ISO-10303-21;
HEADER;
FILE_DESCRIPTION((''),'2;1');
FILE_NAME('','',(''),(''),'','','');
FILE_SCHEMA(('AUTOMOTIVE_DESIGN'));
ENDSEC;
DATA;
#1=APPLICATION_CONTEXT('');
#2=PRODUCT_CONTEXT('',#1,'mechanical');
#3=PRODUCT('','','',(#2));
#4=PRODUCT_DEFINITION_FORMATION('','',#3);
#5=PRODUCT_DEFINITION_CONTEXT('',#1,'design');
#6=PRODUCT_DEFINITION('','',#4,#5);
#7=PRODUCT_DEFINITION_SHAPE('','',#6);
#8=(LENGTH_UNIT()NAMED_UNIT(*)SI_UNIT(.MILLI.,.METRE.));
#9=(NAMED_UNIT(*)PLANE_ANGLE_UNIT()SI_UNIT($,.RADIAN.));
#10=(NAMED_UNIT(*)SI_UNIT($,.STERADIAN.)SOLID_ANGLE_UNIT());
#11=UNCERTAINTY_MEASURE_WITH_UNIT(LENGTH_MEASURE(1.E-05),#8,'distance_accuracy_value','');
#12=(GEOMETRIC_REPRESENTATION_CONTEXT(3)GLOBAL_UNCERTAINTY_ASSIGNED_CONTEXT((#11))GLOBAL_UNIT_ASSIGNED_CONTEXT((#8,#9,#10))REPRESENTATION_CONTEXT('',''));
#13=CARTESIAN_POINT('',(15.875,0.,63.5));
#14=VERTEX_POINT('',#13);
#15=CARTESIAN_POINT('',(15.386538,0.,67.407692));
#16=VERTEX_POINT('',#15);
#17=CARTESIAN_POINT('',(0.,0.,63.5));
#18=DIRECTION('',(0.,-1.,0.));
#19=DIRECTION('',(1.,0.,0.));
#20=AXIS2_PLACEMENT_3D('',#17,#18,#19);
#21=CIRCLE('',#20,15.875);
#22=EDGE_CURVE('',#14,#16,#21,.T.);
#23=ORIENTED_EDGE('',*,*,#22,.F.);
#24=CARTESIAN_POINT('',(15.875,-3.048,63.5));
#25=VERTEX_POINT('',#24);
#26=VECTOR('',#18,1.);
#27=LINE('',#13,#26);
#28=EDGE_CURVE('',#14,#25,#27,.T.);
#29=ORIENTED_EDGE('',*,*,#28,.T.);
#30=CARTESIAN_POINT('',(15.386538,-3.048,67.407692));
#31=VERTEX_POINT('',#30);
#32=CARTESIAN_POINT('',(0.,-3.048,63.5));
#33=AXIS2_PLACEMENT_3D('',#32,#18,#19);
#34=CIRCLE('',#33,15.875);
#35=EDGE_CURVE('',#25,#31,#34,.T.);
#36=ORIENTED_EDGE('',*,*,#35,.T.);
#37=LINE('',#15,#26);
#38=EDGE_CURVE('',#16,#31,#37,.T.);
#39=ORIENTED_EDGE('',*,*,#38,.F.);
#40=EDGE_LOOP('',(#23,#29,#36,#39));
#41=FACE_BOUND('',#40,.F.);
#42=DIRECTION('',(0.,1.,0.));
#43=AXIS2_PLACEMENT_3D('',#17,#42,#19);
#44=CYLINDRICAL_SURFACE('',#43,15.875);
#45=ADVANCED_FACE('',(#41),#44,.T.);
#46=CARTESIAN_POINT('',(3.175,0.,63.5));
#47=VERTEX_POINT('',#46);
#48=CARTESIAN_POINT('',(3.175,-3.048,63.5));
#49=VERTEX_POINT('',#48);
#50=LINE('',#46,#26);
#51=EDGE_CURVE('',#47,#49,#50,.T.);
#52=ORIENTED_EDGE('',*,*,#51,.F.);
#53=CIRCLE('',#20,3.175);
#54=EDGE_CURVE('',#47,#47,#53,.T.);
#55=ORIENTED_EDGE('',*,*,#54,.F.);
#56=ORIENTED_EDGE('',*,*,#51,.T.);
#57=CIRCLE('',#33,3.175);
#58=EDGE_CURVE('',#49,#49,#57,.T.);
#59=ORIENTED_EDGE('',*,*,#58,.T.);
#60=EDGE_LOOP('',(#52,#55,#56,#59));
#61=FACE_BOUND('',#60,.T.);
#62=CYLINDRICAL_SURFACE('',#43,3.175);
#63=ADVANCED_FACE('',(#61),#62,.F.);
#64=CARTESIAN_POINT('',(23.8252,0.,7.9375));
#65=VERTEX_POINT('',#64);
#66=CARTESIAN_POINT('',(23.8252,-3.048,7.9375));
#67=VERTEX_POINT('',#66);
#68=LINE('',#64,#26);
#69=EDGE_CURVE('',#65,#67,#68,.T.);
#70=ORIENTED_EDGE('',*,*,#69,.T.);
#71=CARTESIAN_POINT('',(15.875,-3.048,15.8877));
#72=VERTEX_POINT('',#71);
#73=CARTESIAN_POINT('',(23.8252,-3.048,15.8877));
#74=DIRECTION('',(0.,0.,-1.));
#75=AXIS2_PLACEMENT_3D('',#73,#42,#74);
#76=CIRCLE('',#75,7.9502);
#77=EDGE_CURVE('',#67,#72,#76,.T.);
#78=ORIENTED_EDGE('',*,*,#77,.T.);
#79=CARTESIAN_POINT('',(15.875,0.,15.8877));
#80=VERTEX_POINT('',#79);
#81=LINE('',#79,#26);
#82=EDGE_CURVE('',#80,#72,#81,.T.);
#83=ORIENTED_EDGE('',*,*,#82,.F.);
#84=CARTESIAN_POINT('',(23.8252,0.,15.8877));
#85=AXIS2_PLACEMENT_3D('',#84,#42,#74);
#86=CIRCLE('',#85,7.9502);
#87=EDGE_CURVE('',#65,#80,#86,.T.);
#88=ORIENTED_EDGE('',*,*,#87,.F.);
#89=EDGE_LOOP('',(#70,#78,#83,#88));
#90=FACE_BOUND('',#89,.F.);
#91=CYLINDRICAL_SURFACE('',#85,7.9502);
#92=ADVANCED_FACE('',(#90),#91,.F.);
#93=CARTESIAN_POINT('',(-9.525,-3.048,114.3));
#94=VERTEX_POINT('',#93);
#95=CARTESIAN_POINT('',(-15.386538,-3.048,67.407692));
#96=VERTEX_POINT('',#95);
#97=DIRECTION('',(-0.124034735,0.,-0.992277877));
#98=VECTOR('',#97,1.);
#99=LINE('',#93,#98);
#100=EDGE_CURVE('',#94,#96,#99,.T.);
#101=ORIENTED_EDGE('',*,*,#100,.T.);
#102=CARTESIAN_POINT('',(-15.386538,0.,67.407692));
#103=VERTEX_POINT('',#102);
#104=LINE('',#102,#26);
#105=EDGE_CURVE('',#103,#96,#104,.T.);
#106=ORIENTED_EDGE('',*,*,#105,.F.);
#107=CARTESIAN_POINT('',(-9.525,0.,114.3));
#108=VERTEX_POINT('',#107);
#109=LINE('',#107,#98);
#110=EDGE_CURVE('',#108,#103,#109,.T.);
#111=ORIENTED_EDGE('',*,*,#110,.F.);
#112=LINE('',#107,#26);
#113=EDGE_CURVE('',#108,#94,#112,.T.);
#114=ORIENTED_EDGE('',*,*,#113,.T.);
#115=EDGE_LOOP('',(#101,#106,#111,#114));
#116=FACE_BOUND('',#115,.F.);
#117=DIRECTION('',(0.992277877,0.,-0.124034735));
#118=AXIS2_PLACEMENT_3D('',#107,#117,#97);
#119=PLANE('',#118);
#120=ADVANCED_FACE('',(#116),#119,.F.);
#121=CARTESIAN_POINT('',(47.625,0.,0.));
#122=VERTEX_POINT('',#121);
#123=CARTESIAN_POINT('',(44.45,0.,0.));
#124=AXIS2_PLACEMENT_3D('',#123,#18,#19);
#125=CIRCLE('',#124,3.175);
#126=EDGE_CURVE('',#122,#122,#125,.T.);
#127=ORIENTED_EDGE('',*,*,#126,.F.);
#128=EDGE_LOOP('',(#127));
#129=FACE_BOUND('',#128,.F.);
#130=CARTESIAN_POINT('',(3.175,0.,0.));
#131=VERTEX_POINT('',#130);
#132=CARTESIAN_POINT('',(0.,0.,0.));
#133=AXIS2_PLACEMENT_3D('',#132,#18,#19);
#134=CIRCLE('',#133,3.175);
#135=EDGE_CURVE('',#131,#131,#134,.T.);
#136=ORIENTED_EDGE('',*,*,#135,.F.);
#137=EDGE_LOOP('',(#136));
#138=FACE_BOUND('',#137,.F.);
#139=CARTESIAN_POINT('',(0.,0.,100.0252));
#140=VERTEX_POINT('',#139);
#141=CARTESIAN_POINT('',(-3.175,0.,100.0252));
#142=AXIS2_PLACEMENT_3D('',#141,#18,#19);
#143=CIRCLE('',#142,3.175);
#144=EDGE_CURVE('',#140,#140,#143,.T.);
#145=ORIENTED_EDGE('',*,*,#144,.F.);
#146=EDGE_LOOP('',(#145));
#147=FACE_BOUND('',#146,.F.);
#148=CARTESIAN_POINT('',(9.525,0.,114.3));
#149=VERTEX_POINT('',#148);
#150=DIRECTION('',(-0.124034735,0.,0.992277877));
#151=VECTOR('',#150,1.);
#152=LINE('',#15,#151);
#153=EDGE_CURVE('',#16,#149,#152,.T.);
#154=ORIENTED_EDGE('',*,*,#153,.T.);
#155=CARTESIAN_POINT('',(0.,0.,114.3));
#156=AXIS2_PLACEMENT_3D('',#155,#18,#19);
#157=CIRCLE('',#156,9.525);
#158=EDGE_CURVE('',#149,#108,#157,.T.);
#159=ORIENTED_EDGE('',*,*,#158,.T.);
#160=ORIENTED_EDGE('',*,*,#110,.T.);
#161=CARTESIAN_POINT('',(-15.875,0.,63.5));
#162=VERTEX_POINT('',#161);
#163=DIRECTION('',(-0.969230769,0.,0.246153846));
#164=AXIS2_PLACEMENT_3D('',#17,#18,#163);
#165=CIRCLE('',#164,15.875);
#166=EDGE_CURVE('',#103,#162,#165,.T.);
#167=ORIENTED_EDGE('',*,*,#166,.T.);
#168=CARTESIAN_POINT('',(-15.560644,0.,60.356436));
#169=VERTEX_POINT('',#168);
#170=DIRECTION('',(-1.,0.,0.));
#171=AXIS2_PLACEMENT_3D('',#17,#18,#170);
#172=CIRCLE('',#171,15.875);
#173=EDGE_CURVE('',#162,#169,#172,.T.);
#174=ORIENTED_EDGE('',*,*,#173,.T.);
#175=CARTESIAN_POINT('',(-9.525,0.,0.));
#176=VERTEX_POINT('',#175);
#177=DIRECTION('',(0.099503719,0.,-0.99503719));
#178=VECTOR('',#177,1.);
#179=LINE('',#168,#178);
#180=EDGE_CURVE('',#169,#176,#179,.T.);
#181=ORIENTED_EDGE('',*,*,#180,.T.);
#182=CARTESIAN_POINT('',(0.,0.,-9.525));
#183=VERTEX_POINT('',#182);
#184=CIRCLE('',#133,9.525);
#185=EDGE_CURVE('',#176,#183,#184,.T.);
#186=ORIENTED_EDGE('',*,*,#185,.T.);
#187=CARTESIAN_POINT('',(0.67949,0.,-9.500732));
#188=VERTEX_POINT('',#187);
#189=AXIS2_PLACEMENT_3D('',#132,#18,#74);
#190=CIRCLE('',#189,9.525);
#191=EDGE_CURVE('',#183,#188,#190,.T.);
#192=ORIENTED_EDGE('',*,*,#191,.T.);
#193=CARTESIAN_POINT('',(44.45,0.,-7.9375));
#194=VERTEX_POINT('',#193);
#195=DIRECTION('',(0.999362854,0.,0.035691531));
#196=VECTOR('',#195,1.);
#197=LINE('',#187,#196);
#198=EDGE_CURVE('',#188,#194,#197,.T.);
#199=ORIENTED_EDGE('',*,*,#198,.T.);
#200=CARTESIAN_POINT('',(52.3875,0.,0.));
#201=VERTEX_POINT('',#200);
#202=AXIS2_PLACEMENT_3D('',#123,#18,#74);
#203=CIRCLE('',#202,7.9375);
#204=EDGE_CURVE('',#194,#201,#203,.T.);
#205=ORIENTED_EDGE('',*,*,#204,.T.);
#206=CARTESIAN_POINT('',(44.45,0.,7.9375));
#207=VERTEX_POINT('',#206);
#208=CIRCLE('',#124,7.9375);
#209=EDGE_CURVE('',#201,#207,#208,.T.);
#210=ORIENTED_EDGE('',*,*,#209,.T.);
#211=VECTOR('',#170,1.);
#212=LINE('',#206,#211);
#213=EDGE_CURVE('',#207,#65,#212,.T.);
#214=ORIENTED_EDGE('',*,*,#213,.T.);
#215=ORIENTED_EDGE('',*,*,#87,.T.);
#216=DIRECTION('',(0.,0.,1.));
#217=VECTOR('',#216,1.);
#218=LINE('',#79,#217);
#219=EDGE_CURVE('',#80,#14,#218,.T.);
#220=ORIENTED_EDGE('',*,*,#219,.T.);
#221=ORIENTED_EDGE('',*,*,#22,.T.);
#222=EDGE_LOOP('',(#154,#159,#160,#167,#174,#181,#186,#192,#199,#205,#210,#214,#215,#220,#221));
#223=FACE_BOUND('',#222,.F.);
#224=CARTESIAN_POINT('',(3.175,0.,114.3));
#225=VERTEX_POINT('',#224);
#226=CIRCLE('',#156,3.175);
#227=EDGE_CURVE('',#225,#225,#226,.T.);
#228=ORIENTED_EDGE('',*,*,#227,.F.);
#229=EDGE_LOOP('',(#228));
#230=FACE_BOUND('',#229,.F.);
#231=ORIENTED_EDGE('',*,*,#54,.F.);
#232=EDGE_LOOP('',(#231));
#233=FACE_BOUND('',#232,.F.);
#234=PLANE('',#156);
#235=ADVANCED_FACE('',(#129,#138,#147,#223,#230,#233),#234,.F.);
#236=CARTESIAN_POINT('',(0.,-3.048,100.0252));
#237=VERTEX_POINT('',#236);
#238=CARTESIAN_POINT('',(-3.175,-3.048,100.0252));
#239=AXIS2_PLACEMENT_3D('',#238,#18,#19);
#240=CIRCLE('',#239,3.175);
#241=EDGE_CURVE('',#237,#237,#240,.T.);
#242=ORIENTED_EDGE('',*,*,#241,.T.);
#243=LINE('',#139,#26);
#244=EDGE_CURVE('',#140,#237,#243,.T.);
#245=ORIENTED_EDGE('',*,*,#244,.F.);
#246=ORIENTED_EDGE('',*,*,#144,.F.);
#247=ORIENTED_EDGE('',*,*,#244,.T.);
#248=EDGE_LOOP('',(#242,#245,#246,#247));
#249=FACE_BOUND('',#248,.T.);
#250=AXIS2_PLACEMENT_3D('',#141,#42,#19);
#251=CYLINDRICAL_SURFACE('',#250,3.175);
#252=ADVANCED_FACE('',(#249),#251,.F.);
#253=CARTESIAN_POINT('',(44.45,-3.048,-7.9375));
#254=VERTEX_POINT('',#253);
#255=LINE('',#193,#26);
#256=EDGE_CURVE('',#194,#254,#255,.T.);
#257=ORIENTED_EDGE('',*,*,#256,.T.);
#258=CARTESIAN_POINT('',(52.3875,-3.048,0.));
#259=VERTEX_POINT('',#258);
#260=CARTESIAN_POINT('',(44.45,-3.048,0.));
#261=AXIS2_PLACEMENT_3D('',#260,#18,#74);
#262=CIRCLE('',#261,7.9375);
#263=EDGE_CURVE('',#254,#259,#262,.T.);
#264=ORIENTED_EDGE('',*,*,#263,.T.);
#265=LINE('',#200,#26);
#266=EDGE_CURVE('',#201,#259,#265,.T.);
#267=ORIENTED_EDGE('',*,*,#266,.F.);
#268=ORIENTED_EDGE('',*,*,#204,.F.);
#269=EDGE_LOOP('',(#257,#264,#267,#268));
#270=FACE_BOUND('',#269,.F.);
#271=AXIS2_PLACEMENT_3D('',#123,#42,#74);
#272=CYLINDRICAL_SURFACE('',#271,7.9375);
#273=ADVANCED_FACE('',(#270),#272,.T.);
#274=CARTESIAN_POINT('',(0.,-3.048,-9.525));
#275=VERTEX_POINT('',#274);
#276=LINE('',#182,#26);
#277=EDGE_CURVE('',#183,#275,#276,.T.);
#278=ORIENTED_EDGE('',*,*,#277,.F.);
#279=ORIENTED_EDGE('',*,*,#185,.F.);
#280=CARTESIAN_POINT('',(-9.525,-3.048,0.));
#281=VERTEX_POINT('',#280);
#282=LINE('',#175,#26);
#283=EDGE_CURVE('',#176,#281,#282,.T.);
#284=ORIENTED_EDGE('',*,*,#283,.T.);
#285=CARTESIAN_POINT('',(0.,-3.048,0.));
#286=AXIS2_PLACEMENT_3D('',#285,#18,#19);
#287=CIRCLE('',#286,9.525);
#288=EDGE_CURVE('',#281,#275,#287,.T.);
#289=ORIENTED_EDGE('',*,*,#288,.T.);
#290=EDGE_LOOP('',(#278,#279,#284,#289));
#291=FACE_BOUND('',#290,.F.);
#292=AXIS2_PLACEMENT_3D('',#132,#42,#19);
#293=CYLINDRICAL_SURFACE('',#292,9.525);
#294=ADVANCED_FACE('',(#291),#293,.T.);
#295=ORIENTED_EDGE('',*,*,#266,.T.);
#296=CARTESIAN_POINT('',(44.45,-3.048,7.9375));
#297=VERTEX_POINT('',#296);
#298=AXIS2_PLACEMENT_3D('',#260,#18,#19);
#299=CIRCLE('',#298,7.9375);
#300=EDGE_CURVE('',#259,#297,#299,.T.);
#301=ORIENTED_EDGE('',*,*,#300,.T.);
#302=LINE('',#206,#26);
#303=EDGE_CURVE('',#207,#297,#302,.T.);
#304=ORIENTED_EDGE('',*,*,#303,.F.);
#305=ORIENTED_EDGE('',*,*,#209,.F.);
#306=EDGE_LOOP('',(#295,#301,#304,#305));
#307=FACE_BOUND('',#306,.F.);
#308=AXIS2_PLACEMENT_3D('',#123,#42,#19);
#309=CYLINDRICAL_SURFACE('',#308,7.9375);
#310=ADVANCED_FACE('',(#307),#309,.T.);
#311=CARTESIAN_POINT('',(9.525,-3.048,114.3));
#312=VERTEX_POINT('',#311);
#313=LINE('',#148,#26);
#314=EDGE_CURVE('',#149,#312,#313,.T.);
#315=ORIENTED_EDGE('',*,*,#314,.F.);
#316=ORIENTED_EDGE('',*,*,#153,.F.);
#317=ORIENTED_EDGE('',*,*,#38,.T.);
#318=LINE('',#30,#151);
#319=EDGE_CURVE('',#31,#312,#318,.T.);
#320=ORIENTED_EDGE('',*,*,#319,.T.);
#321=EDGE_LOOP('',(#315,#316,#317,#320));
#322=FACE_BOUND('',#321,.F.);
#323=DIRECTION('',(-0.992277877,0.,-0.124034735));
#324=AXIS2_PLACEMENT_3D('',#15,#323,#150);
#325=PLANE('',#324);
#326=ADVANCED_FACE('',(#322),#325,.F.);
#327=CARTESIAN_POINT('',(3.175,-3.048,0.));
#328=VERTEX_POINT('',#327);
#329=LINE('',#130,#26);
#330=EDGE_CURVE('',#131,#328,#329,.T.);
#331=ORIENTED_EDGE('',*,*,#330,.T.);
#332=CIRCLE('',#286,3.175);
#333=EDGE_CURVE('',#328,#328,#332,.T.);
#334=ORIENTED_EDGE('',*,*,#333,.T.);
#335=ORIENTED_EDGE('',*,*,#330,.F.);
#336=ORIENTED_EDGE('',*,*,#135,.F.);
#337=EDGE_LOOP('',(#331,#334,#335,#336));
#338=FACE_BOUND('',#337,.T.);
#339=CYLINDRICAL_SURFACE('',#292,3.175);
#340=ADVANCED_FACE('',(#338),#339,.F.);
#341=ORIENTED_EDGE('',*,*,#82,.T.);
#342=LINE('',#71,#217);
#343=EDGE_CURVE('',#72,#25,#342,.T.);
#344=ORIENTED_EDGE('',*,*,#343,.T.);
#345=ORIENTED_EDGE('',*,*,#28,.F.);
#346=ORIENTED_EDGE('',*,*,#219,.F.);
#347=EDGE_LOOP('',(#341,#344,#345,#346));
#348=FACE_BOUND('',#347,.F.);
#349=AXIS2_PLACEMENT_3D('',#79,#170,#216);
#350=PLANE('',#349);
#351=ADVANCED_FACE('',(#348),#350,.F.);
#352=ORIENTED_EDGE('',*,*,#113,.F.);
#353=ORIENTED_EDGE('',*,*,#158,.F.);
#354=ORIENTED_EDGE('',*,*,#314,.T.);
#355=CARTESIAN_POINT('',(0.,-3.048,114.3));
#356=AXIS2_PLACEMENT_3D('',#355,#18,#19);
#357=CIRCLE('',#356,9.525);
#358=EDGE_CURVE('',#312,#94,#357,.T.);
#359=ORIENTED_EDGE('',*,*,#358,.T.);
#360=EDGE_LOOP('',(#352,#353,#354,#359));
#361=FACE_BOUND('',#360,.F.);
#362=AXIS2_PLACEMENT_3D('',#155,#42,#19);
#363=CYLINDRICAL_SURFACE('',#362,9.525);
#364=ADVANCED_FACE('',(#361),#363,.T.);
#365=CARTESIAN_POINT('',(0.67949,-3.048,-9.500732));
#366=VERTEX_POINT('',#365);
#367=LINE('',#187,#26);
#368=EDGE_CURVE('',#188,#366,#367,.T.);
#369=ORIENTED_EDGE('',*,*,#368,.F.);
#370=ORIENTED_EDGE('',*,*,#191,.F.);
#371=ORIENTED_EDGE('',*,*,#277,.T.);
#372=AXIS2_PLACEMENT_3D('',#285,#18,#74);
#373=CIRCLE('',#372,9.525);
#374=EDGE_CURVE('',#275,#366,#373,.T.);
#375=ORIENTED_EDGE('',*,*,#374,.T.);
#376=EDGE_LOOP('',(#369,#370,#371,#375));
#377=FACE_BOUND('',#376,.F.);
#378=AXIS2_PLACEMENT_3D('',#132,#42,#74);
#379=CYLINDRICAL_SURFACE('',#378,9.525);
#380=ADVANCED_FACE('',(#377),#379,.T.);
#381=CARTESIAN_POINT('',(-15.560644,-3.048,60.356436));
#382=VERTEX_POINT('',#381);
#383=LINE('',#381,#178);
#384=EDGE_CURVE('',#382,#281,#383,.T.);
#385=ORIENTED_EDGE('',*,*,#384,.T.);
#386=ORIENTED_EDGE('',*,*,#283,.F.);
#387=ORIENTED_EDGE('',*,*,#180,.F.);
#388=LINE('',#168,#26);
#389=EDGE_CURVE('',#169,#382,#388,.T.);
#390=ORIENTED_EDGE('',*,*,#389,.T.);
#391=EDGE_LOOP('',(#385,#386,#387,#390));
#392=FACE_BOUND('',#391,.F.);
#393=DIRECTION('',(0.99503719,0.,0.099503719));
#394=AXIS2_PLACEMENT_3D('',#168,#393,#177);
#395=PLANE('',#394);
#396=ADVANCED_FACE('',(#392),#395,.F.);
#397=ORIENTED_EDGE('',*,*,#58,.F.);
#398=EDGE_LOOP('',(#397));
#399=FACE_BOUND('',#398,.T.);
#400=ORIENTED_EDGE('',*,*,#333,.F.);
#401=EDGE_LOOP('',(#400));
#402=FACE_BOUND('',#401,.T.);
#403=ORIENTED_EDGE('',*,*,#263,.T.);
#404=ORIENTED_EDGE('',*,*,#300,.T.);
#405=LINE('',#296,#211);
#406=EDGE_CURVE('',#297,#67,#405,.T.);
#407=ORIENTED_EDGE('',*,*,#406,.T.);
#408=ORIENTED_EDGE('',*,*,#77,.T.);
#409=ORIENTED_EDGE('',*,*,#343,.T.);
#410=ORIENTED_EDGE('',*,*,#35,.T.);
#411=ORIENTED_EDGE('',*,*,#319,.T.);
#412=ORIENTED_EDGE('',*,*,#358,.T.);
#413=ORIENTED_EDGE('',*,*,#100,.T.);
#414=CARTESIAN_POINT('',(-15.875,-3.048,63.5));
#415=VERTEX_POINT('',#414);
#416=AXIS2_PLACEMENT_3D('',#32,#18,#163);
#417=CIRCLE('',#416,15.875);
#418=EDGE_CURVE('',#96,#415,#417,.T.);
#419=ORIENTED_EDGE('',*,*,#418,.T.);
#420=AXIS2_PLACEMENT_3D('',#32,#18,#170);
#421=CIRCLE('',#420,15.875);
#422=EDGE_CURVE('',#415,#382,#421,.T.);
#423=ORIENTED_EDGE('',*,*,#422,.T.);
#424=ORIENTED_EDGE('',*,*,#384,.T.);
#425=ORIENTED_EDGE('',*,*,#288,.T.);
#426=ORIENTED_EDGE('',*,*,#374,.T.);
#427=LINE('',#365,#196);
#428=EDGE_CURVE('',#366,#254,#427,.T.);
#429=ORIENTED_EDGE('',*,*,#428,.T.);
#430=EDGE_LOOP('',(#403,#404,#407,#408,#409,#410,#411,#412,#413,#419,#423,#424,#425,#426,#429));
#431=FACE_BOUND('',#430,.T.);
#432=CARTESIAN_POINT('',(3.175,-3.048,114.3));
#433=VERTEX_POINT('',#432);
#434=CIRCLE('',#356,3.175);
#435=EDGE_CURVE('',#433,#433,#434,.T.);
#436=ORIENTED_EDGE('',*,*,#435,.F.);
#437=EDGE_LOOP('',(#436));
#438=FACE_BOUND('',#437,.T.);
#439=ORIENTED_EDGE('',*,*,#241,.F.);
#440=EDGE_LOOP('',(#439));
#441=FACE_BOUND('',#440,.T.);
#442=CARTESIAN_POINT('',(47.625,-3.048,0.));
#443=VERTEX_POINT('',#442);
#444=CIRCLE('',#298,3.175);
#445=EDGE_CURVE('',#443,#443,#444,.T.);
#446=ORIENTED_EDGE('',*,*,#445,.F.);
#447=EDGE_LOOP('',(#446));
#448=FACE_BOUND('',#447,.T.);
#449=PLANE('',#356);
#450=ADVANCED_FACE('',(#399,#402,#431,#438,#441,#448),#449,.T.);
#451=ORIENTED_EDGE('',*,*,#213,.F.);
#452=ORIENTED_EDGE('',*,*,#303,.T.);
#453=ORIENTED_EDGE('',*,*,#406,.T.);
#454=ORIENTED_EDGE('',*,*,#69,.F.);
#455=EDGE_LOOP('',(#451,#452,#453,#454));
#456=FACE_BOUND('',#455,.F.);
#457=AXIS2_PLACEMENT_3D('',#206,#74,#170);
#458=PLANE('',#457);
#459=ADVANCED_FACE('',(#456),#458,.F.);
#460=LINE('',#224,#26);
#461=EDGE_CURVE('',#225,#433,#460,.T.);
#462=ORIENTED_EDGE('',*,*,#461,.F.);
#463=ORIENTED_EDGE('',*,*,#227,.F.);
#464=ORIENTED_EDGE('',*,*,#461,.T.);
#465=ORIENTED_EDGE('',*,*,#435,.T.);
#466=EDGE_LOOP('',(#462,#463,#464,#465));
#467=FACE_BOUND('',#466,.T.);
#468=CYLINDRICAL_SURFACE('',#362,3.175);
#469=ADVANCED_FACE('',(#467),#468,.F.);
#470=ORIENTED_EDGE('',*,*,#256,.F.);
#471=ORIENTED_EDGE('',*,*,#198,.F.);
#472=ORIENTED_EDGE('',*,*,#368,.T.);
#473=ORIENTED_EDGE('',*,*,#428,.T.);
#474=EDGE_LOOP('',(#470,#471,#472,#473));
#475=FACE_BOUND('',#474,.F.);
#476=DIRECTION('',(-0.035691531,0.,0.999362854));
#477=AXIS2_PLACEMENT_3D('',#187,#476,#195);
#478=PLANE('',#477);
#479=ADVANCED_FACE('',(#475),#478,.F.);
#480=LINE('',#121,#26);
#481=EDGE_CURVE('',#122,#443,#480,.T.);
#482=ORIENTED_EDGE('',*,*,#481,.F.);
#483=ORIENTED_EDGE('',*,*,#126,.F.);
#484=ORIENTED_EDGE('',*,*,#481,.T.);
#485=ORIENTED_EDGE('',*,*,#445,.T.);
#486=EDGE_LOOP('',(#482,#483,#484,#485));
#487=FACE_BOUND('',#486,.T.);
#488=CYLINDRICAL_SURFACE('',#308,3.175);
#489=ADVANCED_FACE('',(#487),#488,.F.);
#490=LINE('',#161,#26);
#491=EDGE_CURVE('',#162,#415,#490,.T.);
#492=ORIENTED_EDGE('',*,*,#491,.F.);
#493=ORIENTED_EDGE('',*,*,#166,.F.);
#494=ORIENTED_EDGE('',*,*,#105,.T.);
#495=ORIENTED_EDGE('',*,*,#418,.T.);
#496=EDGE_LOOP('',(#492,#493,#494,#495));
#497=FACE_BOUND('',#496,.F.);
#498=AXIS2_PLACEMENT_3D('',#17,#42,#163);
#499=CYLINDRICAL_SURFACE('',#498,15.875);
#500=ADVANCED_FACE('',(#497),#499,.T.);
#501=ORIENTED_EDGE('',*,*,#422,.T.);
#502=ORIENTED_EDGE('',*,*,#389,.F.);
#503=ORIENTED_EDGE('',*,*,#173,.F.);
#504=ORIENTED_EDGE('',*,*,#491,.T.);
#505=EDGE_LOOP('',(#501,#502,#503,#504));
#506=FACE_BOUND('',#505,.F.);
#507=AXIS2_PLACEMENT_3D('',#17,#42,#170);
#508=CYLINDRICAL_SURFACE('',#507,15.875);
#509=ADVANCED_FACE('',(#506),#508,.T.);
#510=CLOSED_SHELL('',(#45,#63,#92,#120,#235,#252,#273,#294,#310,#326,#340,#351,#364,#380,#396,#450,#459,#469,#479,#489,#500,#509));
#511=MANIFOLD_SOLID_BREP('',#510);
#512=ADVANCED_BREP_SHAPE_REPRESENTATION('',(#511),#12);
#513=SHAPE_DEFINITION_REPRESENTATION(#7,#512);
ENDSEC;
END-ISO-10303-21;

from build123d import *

# Parameters (mm, degrees)
F0_R     = 3.175
F1_DEPTH = 3.048


with BuildPart() as f1:
    # F0 (on Front) → F1 (new body)
    with BuildSketch(Plane.XZ):
        with BuildLine():
            ThreePointArc((-9.525, 114.3), (0, 104.775), (9.525, 114.3))
            ThreePointArc((9.525, 114.3), (0, 123.825), (-9.525, 114.3))
        make_face()
        with Locations((0, 114.3)):
            Circle(F0_R, mode=Mode.SUBTRACT)
        with BuildLine():
            Line((15.3865384615, 67.4076923077), (9.525, 114.3))
            ThreePointArc((9.525, 114.3), (0, 104.775), (-9.525, 114.3))
            Line((-9.525, 114.3), (-15.3865384615, 67.4076923077))
            ThreePointArc((-15.3865384615, 67.4076923077), (0, 79.375), (15.3865384615, 67.4076923077))
        make_face()
        with Locations((-3.175, 100.0252)):
            Circle(F0_R, mode=Mode.SUBTRACT)
        with BuildLine():
            Line((15.875, 63.5), (15.3865384615, 67.4076923077))
            ThreePointArc((15.3865384615, 67.4076923077), (0, 79.375), (-15.3865384615, 67.4076923077))
            Line((-15.3865384615, 67.4076923077), (-15.875, 63.5))
            Line((-15.875, 63.5), (-15.5606435644, 60.3564356436))
            ThreePointArc((-15.5606435644, 60.3564356436), (1.5796215395, 47.7037846054), (15.875, 63.5))
        make_face()
        with Locations((0, 63.5)):
            Circle(F0_R, mode=Mode.SUBTRACT)
        with BuildLine():
            ThreePointArc((15.875, 63.5), (15.7524112928, 65.4690514116), (15.3865384615, 67.4076923077))
            Line((15.3865384615, 67.4076923077), (15.875, 63.5))
        make_face()
        with BuildLine():
            Line((-15.875, 63.5), (-15.3865384615, 67.4076923077))
            ThreePointArc((-15.3865384615, 67.4076923077), (-15.7524112928, 65.4690514116), (-15.875, 63.5))
        make_face()
        with BuildLine():
            Line((15.875, 15.8877), (15.875, 63.5))
            ThreePointArc((15.875, 63.5), (1.5796215395, 47.7037846054), (-15.5606435644, 60.3564356436))
            Line((-15.5606435644, 60.3564356436), (-9.525, 0))
            ThreePointArc((-9.525, 0), (0, 9.525), (9.525, 0))
            ThreePointArc((9.525, 0), (6.9712901065, -6.4905114784), (0.6794904459, -9.5007324841))
            Line((0.6794904459, -9.5007324841), (44.45, -7.9375))
            ThreePointArc((44.45, -7.9375), (36.5125, 0), (44.45, 7.9375))
            Line((44.45, 7.9375), (23.8252, 7.9375))
            ThreePointArc((23.8252, 7.9375), (18.2035596682, 10.2660596682), (15.875, 15.8877))
        make_face()
        with BuildLine():
            Line((-15.5606435644, 60.3564356436), (-15.875, 63.5))
            ThreePointArc((-15.875, 63.5), (-15.7962153946, 61.9203784605), (-15.5606435644, 60.3564356436))
        make_face()
        with BuildLine():
            ThreePointArc((9.525, 0), (0, 9.525), (-9.525, 0))
            ThreePointArc((-9.525, 0), (-6.7351920908, -6.7351920908), (0, -9.525))
            Line((0, -9.525), (0.6794904459, -9.5007324841))
            ThreePointArc((0.6794904459, -9.5007324841), (6.9712901065, -6.4905114784), (9.525, 0))
        make_face()
        Circle(F0_R, mode=Mode.SUBTRACT)
        with BuildLine():
            Line((0.6794904459, -9.5007324841), (0, -9.525))
            ThreePointArc((0, -9.525), (0.3399618281, -9.5189311877), (0.6794904459, -9.5007324841))
        make_face()
        with BuildLine():
            ThreePointArc((52.3875, 0), (50.0626600757, 5.6126600757), (44.45, 7.9375))
            ThreePointArc((44.45, 7.9375), (36.5125, 0), (44.45, -7.9375))
            ThreePointArc((44.45, -7.9375), (50.0626600757, -5.6126600757), (52.3875, 0))
        make_face()
        with Locations((44.45, 0)):
            Circle(F0_R, mode=Mode.SUBTRACT)
    extrude(amount=F1_DEPTH)


solid = f1.part
